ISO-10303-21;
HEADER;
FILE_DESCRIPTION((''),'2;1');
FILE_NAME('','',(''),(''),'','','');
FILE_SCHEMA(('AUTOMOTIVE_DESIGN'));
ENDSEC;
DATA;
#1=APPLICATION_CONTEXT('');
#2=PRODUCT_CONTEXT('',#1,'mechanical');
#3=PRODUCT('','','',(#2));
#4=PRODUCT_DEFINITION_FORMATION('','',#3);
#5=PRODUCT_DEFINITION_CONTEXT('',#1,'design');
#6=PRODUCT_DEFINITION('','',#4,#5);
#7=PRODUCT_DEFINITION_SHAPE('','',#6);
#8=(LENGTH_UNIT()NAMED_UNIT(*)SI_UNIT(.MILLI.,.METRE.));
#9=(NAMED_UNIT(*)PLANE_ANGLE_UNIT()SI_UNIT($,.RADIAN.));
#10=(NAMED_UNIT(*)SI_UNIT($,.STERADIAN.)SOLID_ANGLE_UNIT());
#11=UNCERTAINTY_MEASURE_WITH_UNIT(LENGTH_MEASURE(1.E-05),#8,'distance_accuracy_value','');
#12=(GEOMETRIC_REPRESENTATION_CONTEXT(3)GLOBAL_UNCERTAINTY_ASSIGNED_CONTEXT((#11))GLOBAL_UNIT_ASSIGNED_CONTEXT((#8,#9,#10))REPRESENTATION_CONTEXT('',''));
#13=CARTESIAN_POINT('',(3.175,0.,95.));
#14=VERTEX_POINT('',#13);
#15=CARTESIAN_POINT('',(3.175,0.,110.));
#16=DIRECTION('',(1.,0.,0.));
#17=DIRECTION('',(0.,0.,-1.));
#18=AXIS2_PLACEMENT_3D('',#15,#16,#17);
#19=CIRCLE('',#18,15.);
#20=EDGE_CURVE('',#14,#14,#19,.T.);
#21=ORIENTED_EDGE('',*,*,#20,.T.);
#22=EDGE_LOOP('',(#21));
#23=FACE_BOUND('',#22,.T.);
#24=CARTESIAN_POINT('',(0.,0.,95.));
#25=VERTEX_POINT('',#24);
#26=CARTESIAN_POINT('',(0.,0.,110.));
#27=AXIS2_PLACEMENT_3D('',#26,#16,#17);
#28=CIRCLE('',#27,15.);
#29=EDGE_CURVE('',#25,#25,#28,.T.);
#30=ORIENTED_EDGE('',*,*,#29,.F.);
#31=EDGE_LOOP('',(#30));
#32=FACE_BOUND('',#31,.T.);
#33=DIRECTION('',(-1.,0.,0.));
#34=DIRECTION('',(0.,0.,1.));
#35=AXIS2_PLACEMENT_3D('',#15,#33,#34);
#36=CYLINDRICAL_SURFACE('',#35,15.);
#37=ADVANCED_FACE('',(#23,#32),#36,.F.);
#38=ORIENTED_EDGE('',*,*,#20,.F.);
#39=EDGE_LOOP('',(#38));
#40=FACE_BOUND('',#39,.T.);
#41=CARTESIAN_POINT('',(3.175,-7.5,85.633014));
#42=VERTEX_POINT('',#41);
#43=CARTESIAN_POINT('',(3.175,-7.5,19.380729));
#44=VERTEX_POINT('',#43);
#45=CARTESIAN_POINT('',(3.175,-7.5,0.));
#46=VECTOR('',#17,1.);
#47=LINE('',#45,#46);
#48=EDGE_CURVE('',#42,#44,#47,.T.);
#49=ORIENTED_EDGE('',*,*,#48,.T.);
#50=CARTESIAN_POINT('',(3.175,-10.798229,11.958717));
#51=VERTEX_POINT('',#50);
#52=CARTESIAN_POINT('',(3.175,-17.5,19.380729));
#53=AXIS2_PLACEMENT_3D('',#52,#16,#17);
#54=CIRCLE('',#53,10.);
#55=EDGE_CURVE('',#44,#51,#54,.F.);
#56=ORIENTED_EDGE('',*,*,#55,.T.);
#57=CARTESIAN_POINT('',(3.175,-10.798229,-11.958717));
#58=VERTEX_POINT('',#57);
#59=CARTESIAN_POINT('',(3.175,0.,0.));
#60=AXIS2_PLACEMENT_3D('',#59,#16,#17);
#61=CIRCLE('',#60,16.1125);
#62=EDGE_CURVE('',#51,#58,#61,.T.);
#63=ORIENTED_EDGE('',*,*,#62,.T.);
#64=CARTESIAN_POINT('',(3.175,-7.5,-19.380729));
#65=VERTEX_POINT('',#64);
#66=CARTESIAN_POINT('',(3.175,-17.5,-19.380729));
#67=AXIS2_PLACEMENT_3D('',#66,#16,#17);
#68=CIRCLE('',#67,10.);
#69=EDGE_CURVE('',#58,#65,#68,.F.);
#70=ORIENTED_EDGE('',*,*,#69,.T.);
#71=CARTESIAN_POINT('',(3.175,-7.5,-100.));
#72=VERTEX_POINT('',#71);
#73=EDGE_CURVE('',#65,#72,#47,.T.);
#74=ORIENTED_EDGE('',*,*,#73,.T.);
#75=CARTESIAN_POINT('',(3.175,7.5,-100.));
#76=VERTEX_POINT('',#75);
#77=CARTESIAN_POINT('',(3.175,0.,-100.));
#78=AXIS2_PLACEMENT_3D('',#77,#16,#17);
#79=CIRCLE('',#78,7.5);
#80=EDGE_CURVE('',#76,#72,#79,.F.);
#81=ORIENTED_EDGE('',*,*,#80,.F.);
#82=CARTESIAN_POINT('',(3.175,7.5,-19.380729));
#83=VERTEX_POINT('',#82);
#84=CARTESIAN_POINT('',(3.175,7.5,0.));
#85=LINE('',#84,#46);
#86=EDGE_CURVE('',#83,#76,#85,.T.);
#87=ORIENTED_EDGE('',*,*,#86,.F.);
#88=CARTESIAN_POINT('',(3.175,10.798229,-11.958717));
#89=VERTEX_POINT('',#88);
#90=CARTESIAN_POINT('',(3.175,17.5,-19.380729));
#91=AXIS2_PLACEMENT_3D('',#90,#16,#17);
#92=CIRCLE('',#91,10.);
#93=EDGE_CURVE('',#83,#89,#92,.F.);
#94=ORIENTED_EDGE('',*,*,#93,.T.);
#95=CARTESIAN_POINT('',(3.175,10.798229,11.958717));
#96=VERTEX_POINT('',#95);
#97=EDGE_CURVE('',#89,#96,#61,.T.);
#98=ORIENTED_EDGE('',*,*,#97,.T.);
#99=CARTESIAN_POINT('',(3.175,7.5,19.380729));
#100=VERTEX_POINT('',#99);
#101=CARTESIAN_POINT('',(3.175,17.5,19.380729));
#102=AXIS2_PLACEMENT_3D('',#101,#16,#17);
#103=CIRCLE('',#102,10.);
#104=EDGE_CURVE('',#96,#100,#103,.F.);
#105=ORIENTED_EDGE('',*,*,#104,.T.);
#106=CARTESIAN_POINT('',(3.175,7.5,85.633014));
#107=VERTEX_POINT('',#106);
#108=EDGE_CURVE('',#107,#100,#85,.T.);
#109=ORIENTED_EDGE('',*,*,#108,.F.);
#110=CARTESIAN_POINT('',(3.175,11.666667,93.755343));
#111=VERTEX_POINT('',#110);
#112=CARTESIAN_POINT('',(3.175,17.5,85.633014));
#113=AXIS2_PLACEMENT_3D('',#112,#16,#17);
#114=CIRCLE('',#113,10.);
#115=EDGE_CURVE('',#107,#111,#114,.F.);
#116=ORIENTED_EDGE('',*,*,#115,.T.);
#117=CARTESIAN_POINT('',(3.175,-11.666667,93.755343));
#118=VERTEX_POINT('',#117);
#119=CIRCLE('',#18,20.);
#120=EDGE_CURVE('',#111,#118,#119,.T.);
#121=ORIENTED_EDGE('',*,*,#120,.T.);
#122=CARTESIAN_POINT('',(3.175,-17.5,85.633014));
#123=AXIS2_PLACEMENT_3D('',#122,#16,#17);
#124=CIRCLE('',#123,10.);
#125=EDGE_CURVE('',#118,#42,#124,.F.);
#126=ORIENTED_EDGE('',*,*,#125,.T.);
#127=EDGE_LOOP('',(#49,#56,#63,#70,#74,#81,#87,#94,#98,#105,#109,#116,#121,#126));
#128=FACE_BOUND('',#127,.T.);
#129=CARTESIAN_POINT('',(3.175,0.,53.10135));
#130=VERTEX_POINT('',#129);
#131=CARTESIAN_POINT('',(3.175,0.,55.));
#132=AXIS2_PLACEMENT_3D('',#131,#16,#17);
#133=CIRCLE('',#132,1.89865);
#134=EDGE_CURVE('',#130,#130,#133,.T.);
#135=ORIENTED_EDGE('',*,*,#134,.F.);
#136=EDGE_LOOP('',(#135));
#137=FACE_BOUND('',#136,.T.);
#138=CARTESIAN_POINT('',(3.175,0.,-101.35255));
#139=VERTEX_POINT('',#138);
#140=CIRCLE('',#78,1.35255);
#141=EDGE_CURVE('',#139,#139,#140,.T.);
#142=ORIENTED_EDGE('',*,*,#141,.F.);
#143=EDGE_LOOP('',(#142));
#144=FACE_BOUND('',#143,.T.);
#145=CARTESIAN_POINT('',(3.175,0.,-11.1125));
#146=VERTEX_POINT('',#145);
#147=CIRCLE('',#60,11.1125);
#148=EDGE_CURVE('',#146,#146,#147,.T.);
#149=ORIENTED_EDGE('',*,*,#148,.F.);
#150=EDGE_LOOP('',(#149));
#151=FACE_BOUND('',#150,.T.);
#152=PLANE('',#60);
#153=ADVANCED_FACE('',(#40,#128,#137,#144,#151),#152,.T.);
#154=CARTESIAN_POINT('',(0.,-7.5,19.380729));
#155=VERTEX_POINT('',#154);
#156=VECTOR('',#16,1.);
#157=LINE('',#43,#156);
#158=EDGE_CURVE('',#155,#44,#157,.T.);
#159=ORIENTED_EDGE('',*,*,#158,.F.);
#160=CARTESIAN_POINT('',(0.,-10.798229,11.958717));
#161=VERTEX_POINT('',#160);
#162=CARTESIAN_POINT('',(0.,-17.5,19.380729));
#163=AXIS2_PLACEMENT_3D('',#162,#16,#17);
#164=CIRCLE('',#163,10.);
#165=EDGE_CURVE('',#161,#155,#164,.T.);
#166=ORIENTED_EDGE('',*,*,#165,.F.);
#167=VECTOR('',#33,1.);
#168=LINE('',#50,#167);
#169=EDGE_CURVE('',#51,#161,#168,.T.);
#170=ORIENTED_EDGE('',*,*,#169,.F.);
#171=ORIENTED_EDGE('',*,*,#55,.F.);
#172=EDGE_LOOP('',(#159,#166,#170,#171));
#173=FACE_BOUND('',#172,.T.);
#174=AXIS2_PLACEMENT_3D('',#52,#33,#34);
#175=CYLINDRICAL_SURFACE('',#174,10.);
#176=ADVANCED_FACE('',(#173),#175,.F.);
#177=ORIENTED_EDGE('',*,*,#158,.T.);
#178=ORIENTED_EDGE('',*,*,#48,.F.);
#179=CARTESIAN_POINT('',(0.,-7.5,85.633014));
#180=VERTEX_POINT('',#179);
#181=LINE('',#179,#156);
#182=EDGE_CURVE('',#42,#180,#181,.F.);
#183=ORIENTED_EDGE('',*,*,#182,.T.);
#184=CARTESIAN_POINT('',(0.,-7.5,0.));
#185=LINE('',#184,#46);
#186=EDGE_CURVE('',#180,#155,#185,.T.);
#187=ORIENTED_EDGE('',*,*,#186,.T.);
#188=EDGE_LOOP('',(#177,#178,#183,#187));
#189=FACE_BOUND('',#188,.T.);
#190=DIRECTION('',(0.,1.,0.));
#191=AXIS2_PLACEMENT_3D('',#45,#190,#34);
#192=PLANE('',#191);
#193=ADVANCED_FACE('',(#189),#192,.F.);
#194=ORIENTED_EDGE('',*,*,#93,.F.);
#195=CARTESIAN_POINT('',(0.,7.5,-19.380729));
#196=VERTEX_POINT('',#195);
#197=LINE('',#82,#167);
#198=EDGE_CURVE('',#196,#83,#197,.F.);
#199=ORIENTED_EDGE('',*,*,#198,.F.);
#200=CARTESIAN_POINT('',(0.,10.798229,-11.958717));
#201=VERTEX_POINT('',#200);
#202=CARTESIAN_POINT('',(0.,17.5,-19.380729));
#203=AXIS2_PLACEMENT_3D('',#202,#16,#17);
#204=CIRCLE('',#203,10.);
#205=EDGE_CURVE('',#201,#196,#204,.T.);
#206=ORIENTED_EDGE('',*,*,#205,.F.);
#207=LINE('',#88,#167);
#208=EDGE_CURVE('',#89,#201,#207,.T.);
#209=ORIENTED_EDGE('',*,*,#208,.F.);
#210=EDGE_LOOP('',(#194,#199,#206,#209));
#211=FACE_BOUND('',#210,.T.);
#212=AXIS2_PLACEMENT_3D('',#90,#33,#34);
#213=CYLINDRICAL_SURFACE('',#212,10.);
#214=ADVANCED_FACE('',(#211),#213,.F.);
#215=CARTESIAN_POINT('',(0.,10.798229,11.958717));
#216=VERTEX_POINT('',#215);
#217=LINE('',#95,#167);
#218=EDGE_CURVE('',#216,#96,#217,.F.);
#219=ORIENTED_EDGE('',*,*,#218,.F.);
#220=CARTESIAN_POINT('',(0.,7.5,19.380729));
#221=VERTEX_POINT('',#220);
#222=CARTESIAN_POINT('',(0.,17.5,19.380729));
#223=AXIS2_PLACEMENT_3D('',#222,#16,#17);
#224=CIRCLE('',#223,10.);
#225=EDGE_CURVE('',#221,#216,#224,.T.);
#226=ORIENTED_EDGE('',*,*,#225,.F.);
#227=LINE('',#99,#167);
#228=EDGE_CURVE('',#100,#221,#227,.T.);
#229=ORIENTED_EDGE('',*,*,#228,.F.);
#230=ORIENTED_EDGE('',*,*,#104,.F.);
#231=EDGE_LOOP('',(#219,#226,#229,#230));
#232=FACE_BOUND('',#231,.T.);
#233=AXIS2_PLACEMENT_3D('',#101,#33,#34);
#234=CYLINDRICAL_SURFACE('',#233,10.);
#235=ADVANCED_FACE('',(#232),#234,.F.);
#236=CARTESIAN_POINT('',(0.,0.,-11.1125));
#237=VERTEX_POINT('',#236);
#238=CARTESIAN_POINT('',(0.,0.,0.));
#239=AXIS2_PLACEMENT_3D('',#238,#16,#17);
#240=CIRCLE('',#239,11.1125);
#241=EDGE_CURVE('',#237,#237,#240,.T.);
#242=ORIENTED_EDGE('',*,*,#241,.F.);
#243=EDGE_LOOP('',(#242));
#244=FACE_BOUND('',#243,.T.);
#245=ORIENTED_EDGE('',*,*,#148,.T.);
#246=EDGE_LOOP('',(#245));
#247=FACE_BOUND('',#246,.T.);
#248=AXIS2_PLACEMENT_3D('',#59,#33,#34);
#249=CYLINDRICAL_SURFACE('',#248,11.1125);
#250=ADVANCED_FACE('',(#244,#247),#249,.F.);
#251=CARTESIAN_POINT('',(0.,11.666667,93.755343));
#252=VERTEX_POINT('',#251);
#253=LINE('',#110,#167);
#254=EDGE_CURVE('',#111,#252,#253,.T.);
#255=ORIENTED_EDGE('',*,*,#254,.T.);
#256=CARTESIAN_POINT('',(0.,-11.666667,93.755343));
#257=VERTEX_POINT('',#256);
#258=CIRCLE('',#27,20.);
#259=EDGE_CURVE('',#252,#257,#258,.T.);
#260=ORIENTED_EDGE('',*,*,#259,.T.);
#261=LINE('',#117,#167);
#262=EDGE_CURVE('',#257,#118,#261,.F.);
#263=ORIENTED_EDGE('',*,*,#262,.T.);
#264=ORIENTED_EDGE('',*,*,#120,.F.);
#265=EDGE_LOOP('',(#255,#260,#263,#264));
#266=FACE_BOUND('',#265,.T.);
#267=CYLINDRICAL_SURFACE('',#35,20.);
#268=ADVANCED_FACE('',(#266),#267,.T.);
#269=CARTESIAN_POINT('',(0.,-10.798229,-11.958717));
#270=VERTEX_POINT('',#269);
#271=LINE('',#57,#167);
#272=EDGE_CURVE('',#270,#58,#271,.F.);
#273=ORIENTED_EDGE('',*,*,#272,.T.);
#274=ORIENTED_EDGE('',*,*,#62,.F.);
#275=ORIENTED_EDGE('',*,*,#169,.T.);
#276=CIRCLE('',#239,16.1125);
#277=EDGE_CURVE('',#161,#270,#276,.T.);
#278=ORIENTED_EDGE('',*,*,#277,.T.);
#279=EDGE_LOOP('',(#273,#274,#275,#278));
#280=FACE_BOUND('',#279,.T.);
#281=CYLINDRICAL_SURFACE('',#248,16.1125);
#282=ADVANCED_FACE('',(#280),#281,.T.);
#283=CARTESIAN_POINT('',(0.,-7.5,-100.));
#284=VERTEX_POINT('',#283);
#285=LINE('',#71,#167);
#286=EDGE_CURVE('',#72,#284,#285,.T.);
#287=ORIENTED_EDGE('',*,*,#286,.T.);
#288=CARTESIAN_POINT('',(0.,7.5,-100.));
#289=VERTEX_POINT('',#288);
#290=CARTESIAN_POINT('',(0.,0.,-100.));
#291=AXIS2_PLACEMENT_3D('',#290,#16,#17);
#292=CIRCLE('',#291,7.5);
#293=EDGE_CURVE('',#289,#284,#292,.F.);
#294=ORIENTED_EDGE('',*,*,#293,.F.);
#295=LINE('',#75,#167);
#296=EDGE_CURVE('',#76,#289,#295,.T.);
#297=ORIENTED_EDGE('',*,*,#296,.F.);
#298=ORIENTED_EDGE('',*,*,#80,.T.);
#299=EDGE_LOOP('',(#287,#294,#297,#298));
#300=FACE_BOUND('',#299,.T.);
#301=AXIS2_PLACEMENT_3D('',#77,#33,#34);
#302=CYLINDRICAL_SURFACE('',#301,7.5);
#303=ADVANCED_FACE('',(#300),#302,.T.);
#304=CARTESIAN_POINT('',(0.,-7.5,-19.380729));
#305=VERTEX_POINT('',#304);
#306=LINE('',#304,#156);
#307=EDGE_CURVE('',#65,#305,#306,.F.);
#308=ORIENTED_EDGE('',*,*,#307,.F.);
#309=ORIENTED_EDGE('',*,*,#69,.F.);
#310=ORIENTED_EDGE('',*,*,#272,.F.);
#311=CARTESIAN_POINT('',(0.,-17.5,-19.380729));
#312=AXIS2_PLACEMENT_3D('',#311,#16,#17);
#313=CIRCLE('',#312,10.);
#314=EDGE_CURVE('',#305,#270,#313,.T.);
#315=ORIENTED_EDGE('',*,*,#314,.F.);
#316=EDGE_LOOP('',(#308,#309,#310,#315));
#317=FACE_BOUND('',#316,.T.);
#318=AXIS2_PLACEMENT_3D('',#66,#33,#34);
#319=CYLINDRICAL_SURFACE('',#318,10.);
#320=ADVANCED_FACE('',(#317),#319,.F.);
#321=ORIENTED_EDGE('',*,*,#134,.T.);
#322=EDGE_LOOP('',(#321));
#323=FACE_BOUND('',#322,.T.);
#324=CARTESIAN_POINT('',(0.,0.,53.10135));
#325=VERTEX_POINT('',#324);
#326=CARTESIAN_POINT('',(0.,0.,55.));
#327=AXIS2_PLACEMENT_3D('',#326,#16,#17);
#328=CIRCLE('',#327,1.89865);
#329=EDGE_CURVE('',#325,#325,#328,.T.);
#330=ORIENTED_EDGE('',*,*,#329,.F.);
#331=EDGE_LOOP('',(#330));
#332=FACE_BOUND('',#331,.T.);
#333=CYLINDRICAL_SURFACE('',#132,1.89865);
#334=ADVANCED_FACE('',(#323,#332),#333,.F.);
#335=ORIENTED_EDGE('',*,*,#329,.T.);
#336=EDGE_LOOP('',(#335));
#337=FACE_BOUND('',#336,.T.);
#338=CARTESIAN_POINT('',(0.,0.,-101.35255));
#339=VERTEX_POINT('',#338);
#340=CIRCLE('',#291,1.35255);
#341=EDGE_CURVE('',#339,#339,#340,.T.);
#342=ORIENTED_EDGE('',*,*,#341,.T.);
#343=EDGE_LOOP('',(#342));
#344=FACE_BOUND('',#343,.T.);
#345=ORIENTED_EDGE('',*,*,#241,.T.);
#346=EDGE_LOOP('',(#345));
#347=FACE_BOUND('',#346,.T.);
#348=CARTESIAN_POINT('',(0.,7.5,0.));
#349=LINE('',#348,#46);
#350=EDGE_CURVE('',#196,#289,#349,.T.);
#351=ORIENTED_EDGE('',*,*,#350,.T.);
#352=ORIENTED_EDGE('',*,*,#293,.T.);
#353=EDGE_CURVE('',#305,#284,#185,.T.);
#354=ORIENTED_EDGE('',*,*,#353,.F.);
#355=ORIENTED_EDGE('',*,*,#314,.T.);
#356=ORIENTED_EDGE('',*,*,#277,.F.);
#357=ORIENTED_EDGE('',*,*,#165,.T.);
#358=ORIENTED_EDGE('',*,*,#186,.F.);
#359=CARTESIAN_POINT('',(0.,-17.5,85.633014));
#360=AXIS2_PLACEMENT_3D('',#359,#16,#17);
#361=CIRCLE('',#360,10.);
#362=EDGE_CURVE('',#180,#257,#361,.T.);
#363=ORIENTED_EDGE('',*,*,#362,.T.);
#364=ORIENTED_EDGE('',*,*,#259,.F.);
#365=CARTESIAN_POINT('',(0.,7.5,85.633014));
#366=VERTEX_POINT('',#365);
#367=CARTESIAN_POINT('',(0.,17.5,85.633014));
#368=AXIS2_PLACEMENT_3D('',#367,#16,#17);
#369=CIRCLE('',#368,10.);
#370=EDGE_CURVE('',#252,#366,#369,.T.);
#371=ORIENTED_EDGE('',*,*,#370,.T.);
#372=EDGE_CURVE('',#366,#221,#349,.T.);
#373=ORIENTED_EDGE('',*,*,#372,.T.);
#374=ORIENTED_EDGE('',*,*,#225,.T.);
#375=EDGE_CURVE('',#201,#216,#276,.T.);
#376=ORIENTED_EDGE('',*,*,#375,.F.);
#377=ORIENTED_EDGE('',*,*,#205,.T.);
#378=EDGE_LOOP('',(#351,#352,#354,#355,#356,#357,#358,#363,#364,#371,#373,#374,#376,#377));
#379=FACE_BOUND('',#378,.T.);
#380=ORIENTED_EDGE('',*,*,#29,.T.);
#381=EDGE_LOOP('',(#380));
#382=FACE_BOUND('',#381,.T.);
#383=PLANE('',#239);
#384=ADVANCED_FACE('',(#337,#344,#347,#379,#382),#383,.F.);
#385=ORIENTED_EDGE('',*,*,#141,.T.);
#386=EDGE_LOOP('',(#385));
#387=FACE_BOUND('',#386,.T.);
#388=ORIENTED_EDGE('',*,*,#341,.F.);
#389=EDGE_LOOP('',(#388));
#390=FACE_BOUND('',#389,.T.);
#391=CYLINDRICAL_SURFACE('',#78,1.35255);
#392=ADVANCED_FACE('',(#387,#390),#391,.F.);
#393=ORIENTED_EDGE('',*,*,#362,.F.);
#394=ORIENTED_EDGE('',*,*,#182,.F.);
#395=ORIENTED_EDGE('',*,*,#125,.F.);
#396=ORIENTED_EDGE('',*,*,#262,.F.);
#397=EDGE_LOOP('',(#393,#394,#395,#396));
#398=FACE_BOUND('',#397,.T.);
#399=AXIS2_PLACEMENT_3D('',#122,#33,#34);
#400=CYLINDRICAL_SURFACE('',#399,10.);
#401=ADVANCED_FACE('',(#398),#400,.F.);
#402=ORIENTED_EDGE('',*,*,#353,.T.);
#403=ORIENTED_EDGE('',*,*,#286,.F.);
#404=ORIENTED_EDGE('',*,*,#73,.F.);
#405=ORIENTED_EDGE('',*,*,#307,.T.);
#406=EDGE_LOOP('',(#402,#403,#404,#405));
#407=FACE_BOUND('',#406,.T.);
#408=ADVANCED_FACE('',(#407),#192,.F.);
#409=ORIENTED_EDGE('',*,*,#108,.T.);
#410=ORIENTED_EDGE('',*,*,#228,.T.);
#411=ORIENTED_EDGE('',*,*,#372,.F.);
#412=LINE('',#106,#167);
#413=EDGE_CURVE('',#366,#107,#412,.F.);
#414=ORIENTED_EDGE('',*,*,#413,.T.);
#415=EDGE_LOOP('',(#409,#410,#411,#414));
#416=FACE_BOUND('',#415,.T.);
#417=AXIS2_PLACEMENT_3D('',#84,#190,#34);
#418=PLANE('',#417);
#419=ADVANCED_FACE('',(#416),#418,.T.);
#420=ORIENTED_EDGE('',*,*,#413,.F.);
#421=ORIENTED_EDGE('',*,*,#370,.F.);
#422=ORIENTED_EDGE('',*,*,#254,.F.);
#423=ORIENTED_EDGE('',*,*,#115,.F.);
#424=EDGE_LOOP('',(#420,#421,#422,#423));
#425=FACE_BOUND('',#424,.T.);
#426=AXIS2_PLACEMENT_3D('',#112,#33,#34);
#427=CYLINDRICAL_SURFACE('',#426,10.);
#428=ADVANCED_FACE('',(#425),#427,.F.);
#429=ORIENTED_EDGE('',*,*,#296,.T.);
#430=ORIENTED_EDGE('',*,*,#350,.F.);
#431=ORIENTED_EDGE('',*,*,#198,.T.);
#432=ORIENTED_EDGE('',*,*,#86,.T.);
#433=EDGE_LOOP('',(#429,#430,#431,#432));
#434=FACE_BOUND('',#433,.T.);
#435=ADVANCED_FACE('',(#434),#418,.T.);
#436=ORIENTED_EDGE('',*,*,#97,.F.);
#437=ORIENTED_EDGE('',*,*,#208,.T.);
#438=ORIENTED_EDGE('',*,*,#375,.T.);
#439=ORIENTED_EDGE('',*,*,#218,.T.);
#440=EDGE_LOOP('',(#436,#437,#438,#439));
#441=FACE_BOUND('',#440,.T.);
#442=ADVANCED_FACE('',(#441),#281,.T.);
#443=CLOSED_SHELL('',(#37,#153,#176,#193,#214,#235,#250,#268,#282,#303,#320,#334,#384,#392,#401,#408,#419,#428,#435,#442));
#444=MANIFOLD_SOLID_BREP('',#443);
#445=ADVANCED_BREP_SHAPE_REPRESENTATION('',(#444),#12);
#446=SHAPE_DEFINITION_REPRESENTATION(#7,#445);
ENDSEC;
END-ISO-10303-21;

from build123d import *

# Parameters (mm, degrees)
SKETCH1_R             = 15
SKETCH1_R_2           = 11.1125
BOSS_EXTRUDE1_DEPTH   = 3.175
F_6_CLEARANCE_HOLE1_D = 3.7973
F_6_32_TAPPED_HOLE1_D = 2.7051
FILLET1_R             = 10


with BuildPart() as part:
    # Sketch1 → Boss-Extrude1 (new body)
    with BuildSketch(Plane(origin=(0, 0, 0), x_dir=(0, 0, -1), z_dir=(1, 0, 0))):
        with BuildLine():
            ThreePointArc((-91.459503782, 7.5), (-130, 0), (-91.459503782, -7.5))
            Line((-91.459503782, -7.5), (-14.260527909, -7.5))
            ThreePointArc((-14.260527909, -7.5), (0, -16.1125), (14.260527909, -7.5))
            Line((14.260527909, -7.5), (100, -7.5))
            ThreePointArc((100, -7.5), (107.5, 0), (100, 7.5))
            Line((100, 7.5), (14.260527909, 7.5))
            ThreePointArc((14.260527909, 7.5), (0, 16.1125), (-14.260527909, 7.5))
            Line((-14.260527909, 7.5), (-91.459503782, 7.5))
        make_face()
        with Locations((-110, 0)):
            Circle(SKETCH1_R, mode=Mode.SUBTRACT)
        Circle(SKETCH1_R_2, mode=Mode.SUBTRACT)
    extrude(amount=BOSS_EXTRUDE1_DEPTH)

    # #6 Clearance Hole1 (through all)
    with Locations(Plane(origin=(3.175, 0, 0), x_dir=(0, 0, -1), z_dir=(1, 0, 0))):
        with Locations((-55, 0)):
            Hole(F_6_CLEARANCE_HOLE1_D / 2)

    # #6-32 Tapped Hole1 (through all)
    with Locations(Plane(origin=(3.175, 0, 0), x_dir=(0, 0, -1), z_dir=(1, 0, 0))):
        with Locations((100, 0)):
            Hole(F_6_32_TAPPED_HOLE1_D / 2)

    # Fillet1
    fillet1_edges = [part.edges().sort_by_distance(p)[0] for p in [
        (1.5875, 7.5, 91.459503782),
        (1.5875, 7.5, 14.260527909),
        (1.5875, 7.5, -14.260527909),
        (1.5875, -7.5, -14.260527909),
        (1.5875, -7.5, 14.260527909),
        (1.5875, -7.5, 91.459503782),
    ]]
    fillet(fillet1_edges, radius=FILLET1_R)


solid = part.part
